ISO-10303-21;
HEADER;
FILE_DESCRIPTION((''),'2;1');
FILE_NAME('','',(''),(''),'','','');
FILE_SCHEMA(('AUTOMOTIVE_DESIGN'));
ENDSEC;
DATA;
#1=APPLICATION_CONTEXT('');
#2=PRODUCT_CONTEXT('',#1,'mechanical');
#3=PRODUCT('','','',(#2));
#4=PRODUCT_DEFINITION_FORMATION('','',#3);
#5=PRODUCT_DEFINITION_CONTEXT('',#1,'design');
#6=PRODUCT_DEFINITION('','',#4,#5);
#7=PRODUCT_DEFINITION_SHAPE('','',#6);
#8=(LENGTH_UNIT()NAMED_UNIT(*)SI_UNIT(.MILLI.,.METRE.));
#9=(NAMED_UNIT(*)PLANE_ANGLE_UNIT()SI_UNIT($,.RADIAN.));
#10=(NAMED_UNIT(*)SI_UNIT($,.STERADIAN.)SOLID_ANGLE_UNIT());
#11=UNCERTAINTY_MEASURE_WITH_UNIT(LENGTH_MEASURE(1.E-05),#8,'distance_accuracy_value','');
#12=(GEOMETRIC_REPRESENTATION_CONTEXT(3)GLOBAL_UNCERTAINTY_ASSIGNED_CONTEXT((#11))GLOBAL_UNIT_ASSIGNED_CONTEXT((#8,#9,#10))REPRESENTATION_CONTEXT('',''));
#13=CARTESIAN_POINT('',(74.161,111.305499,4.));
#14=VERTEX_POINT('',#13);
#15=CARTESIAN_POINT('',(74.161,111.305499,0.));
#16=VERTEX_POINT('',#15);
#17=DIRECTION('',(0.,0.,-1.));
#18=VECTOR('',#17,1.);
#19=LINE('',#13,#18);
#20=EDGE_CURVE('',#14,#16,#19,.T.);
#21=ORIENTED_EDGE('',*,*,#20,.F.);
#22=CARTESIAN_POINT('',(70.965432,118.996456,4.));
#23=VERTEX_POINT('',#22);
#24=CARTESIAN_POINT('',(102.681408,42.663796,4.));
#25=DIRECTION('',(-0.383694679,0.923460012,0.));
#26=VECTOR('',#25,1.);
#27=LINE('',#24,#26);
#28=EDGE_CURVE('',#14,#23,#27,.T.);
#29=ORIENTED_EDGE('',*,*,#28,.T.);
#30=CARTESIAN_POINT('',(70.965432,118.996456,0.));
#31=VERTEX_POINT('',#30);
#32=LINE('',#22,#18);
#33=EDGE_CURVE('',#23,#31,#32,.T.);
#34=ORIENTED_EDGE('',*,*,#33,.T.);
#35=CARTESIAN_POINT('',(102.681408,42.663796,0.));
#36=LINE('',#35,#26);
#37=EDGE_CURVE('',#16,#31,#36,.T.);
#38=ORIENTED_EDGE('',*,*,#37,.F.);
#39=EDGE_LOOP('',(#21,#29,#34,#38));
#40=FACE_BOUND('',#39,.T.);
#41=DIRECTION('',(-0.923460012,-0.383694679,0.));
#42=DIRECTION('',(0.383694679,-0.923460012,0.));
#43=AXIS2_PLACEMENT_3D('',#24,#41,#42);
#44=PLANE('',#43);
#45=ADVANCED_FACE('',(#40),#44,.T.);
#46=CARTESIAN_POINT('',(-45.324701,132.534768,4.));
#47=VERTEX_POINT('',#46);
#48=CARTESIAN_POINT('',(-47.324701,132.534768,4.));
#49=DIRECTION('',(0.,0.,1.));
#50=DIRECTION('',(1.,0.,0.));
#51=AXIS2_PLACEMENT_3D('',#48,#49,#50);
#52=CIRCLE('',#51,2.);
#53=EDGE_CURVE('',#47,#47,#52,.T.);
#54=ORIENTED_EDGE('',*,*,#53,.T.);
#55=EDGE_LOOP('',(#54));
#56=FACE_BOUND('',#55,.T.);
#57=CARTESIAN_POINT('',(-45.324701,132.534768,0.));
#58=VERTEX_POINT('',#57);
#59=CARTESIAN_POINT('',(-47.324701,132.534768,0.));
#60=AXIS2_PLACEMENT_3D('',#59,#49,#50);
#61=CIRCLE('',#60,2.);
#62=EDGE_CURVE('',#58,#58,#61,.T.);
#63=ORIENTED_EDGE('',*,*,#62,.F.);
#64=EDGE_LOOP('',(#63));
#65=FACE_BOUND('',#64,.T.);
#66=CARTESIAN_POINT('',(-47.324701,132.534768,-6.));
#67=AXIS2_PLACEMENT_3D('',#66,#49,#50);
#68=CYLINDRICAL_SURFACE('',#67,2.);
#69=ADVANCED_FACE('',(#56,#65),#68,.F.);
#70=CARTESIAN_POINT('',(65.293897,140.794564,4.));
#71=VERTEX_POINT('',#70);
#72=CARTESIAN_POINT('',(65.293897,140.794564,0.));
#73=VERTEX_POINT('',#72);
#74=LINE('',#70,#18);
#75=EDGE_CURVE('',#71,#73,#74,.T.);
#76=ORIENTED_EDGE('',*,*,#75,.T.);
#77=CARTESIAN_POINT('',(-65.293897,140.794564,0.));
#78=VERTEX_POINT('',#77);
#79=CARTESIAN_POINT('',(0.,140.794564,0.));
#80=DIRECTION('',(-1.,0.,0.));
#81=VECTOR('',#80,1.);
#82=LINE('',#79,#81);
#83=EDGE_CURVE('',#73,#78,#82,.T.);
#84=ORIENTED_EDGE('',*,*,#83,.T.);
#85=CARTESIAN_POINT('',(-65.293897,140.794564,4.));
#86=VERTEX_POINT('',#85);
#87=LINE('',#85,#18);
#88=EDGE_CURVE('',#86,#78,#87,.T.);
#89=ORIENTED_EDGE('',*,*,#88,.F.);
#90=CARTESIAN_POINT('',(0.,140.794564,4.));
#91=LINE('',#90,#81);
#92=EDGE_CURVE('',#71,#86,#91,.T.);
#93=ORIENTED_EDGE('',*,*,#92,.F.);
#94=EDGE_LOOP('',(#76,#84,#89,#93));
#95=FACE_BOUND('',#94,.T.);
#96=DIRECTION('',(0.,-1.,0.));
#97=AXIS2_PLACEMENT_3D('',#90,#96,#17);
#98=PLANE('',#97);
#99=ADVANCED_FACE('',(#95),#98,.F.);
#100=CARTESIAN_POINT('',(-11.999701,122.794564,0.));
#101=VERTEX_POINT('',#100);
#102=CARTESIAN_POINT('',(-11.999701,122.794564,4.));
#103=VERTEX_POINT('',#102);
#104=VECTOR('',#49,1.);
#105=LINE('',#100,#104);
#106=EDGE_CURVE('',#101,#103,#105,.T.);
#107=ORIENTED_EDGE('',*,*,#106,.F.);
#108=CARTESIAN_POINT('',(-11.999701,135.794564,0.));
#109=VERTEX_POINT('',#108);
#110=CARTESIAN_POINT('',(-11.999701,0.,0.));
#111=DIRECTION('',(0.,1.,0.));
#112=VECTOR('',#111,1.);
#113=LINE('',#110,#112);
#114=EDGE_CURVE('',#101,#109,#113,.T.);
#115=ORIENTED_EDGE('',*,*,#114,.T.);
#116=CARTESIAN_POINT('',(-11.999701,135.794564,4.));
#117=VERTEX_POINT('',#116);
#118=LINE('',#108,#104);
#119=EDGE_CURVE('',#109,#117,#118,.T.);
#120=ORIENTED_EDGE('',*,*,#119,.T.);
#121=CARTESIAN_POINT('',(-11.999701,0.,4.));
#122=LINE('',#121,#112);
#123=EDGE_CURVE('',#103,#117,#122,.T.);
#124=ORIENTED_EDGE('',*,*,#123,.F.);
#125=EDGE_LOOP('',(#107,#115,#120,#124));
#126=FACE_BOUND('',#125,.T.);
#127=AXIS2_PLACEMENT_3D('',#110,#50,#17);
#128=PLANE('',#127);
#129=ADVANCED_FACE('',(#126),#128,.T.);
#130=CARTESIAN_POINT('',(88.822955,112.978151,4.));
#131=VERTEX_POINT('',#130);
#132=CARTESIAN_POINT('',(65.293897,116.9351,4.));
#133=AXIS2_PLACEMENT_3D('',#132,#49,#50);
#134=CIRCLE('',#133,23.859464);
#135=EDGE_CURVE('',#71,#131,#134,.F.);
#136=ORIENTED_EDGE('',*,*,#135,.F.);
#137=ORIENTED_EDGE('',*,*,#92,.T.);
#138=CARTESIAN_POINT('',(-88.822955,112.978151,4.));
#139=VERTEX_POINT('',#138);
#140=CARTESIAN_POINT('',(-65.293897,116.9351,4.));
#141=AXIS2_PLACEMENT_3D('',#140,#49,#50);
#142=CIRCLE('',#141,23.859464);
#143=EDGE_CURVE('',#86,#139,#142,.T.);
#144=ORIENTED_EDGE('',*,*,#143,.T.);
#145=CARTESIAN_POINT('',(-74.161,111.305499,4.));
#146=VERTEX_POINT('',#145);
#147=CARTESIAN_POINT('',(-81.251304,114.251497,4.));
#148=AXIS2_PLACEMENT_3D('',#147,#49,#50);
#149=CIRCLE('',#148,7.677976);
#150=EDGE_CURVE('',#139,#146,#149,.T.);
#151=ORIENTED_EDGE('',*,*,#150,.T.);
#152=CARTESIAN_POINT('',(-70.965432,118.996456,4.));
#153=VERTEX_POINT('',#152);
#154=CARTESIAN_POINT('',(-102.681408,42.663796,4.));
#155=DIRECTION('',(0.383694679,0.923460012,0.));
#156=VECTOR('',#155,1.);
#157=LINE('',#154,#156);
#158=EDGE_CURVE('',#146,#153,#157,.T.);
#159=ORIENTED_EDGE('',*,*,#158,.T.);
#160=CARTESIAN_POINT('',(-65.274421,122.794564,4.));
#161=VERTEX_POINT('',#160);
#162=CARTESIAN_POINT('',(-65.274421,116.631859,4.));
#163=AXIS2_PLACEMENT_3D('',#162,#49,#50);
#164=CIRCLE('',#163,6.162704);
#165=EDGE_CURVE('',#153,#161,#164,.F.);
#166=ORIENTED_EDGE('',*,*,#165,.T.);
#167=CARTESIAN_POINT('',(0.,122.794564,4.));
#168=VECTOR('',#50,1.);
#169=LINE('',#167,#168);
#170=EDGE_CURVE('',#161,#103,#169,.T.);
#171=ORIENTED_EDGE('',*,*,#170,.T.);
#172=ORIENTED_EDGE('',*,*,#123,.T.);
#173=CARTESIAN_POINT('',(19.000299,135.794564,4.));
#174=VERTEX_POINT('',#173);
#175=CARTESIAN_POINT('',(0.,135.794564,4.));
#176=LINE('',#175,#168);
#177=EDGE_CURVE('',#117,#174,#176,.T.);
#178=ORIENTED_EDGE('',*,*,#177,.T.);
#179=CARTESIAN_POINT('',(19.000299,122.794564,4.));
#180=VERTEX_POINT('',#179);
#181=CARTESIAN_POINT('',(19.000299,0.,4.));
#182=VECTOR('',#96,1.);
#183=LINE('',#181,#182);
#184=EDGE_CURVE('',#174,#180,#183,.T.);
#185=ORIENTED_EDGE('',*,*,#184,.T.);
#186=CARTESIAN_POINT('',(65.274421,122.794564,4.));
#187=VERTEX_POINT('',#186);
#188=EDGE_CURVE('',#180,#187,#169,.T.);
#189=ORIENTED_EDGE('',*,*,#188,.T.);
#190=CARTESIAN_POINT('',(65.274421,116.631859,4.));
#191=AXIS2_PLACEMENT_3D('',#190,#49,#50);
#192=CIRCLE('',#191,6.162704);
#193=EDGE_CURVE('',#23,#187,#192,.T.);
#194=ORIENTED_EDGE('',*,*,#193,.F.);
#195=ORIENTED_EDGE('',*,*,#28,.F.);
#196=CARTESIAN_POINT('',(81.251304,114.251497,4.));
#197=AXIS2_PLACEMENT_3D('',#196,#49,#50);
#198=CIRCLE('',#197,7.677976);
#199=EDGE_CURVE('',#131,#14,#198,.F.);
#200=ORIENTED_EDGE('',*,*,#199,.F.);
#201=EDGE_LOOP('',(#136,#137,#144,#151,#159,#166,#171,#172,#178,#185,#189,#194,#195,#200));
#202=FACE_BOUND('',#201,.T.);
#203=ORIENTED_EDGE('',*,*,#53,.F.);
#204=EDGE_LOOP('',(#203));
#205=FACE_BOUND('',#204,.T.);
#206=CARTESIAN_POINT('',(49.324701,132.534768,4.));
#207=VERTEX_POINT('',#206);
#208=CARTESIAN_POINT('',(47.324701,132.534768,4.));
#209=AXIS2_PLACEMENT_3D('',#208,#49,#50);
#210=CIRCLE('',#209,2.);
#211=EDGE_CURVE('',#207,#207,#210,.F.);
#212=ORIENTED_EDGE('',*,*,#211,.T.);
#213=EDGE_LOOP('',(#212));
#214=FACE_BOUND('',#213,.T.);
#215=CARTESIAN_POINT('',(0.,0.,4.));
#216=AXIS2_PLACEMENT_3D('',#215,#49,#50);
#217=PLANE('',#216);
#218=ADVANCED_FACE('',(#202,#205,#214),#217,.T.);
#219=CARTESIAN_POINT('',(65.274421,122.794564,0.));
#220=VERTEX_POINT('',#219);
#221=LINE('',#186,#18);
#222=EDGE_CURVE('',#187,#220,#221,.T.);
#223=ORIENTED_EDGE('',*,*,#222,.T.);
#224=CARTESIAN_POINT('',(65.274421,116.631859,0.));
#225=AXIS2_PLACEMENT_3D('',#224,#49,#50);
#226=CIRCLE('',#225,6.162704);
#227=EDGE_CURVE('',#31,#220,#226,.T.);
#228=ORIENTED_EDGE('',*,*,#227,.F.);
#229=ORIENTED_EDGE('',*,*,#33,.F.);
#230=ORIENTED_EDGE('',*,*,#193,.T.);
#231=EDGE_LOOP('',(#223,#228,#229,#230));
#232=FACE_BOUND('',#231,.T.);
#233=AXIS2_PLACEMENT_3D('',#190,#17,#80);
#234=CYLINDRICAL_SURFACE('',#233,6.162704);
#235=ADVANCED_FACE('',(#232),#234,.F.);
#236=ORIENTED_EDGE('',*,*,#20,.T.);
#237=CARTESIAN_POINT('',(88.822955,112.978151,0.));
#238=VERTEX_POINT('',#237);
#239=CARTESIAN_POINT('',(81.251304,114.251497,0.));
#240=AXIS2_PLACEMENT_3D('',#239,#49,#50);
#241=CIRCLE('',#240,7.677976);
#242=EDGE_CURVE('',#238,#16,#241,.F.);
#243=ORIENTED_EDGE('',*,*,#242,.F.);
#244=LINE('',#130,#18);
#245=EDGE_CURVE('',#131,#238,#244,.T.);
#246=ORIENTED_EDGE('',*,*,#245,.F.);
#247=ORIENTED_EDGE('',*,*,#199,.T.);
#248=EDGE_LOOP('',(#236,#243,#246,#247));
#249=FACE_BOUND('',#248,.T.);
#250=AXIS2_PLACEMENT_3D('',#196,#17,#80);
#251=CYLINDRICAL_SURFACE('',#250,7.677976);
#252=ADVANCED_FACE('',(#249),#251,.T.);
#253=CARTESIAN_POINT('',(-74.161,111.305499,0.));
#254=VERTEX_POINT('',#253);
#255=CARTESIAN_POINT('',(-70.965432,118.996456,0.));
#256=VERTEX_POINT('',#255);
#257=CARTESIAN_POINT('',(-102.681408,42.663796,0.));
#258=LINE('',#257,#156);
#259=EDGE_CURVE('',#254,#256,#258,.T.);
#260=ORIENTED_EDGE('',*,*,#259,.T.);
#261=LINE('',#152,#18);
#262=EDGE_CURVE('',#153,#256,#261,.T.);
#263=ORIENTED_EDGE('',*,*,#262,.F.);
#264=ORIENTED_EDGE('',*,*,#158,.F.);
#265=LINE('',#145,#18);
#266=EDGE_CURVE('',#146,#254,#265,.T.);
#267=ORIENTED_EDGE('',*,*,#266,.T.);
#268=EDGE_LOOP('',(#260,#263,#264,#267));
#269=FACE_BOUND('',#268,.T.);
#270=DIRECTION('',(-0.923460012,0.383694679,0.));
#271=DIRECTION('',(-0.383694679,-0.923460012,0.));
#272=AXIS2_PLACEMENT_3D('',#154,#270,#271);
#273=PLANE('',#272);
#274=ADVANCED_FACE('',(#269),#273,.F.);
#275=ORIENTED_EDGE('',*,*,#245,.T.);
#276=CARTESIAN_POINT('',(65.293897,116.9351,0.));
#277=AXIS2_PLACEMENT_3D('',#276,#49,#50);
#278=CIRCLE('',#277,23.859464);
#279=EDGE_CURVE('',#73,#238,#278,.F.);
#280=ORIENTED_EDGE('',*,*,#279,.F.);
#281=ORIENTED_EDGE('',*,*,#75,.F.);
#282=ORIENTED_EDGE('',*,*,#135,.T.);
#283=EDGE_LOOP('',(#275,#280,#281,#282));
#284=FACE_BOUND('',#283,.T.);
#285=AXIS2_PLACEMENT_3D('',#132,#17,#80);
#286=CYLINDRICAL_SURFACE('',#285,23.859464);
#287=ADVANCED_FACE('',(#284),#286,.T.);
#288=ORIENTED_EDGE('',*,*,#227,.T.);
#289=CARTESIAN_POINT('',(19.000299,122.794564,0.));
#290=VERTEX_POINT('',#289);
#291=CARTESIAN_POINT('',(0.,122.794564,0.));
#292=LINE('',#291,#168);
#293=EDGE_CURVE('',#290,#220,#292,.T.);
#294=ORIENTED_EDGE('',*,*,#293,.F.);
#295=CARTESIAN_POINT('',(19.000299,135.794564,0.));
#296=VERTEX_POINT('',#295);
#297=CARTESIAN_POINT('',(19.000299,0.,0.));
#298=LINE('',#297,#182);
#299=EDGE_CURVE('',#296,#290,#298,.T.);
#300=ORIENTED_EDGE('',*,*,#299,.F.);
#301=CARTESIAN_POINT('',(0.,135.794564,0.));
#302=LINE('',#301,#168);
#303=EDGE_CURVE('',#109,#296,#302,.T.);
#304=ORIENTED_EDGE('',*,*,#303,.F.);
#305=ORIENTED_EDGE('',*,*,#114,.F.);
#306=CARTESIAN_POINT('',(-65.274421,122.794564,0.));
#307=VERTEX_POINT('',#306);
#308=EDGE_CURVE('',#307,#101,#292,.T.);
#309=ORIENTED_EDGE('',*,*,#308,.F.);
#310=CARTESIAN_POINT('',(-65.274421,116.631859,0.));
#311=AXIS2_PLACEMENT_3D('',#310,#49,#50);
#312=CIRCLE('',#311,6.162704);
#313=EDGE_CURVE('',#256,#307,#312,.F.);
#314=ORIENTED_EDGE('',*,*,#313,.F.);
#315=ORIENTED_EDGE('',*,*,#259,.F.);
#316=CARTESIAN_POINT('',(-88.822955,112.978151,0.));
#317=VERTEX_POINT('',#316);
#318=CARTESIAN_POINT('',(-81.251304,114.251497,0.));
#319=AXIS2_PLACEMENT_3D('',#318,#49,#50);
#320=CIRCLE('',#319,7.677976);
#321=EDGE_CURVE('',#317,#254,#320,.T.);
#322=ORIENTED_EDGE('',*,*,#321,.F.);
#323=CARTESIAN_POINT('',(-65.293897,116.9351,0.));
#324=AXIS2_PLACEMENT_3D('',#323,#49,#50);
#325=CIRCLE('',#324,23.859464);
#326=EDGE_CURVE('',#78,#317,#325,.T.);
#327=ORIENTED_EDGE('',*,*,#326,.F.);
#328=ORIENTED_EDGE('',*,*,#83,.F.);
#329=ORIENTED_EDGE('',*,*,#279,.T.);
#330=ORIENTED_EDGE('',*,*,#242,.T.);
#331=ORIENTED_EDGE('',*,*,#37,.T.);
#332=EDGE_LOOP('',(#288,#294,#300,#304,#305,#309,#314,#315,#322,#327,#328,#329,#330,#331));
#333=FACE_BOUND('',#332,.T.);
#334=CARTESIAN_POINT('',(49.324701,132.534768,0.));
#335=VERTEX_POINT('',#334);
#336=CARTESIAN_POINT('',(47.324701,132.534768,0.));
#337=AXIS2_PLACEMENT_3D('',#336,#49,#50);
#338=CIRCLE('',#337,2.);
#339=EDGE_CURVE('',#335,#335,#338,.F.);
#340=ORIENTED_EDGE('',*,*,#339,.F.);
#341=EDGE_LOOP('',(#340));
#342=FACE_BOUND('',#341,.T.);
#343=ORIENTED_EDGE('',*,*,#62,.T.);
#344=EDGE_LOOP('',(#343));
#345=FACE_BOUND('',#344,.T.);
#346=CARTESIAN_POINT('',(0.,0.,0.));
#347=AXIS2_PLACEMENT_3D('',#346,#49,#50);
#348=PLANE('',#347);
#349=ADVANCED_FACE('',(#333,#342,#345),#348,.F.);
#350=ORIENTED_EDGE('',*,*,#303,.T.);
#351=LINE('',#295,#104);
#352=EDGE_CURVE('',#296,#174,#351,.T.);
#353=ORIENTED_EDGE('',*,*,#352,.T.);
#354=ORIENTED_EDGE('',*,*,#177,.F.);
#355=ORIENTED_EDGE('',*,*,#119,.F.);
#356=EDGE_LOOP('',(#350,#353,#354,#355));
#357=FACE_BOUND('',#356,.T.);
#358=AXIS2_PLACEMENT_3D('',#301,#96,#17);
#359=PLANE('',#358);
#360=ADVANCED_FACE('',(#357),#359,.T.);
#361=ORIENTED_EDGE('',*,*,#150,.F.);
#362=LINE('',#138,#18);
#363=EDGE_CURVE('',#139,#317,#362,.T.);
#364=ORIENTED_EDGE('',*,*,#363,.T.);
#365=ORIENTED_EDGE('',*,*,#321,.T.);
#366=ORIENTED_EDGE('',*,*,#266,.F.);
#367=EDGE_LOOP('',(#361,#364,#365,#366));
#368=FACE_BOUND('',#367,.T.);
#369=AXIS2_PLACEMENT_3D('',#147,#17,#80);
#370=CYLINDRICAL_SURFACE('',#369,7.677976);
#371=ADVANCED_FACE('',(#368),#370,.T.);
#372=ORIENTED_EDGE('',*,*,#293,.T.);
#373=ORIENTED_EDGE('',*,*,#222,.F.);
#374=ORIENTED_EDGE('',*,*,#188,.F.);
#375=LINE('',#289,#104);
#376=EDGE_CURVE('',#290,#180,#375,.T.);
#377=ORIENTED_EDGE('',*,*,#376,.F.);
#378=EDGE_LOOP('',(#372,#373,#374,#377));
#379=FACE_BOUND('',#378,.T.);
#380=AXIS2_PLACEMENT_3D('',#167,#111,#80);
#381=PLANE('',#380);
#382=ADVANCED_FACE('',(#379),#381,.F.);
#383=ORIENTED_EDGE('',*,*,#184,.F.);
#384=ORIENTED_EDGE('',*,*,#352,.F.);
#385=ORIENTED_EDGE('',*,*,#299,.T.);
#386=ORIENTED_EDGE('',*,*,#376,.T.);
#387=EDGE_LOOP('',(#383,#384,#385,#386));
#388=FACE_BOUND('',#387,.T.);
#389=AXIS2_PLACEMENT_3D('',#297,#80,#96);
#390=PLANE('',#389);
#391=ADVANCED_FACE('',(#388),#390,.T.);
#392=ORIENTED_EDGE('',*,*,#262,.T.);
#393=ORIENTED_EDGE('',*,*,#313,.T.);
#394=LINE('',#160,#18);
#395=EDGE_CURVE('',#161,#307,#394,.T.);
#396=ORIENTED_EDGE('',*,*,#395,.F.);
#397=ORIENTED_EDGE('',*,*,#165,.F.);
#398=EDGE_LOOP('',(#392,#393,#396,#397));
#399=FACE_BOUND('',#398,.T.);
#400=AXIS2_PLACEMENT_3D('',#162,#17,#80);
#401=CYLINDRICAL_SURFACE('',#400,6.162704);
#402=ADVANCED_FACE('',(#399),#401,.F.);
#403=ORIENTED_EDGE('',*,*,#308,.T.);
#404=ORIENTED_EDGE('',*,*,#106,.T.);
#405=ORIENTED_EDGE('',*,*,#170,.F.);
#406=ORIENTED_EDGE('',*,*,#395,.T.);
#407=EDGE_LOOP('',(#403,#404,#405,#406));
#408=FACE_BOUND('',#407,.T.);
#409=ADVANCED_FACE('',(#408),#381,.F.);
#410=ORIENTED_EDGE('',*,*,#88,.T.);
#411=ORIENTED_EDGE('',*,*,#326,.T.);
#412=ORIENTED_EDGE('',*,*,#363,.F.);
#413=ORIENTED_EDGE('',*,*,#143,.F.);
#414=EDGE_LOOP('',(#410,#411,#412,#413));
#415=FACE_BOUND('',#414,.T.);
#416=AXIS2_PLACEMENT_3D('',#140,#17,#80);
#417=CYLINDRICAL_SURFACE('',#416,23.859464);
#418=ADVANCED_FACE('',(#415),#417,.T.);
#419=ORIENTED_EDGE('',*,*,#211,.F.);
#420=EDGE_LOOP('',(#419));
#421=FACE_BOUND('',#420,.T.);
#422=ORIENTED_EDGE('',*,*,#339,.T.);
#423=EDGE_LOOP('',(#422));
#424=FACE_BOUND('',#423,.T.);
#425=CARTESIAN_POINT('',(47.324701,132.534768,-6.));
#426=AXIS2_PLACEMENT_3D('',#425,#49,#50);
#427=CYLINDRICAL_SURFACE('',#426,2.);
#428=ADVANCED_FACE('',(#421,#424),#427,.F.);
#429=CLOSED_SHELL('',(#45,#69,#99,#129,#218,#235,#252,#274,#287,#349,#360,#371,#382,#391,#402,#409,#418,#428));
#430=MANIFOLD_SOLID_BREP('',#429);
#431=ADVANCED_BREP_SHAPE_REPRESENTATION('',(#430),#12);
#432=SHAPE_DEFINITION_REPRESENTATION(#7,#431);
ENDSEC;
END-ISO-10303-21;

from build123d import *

# Parameters (mm, degrees)
BOSS_EXTRUDE1_DEPTH = 4
SKETCH3_R           = 2
CUT_EXTRUDE1_DEPTH  = 10
CUT_EXTRUDE2_DEPTH  = 167.695623666


with BuildPart() as part:
    # Sketch1 → Boss-Extrude1 (new body)
    with BuildSketch(Plane.XY):
        with BuildLine():
            Line((65.293896859, 140.79456376), (-65.293896859, 140.79456376))
            ThreePointArc((-65.293896859, 140.79456376), (-83.510437362, 132.343917874), (-88.822955159, 112.978151212))
            ThreePointArc((-88.822955159, 112.978151212), (-82.121571276, 106.62300147), (-74.161000128, 111.305498795))
            Line((-74.161000128, 111.305498795), (-70.965431907, 118.996456291))
            ThreePointArc((-70.965431907, 118.996456291), (-68.695430494, 121.757834263), (-65.274420897, 122.79456376))
            Line((-65.274420897, 122.79456376), (65.274420897, 122.79456376))
            ThreePointArc((65.274420897, 122.79456376), (68.695430494, 121.757834263), (70.965431907, 118.996456291))
            Line((70.965431907, 118.996456291), (74.161000128, 111.305498795))
            ThreePointArc((74.161000128, 111.305498795), (82.121571276, 106.62300147), (88.822955159, 112.978151212))
            ThreePointArc((88.822955159, 112.978151212), (83.510437362, 132.343917874), (65.293896859, 140.79456376))
        make_face()
    extrude(amount=BOSS_EXTRUDE1_DEPTH)

    # Sketch3 → Cut-Extrude1 (cut)
    with BuildSketch(Plane.XY.offset(4)):
        with Locations((-47.324700565, 132.53476761)):
            Circle(SKETCH3_R)
        with Locations((47.324700565, 132.53476761)):
            Circle(SKETCH3_R)
    extrude(amount=-CUT_EXTRUDE1_DEPTH, mode=Mode.SUBTRACT)

    # Sketch4 → Cut-Extrude2 (cut, through all)
    with BuildSketch(Plane.XY.offset(4)):
        Polygon((-11.999700565, 135.79456376), (-11.999700565, 126.79456376), (-11.999700565, 122.79456376), (19.000299435, 122.79456376), (19.000299435, 126.79456376), (19.000299435, 135.79456376), align=None)
    extrude(amount=-CUT_EXTRUDE2_DEPTH, mode=Mode.SUBTRACT)


solid = part.part
